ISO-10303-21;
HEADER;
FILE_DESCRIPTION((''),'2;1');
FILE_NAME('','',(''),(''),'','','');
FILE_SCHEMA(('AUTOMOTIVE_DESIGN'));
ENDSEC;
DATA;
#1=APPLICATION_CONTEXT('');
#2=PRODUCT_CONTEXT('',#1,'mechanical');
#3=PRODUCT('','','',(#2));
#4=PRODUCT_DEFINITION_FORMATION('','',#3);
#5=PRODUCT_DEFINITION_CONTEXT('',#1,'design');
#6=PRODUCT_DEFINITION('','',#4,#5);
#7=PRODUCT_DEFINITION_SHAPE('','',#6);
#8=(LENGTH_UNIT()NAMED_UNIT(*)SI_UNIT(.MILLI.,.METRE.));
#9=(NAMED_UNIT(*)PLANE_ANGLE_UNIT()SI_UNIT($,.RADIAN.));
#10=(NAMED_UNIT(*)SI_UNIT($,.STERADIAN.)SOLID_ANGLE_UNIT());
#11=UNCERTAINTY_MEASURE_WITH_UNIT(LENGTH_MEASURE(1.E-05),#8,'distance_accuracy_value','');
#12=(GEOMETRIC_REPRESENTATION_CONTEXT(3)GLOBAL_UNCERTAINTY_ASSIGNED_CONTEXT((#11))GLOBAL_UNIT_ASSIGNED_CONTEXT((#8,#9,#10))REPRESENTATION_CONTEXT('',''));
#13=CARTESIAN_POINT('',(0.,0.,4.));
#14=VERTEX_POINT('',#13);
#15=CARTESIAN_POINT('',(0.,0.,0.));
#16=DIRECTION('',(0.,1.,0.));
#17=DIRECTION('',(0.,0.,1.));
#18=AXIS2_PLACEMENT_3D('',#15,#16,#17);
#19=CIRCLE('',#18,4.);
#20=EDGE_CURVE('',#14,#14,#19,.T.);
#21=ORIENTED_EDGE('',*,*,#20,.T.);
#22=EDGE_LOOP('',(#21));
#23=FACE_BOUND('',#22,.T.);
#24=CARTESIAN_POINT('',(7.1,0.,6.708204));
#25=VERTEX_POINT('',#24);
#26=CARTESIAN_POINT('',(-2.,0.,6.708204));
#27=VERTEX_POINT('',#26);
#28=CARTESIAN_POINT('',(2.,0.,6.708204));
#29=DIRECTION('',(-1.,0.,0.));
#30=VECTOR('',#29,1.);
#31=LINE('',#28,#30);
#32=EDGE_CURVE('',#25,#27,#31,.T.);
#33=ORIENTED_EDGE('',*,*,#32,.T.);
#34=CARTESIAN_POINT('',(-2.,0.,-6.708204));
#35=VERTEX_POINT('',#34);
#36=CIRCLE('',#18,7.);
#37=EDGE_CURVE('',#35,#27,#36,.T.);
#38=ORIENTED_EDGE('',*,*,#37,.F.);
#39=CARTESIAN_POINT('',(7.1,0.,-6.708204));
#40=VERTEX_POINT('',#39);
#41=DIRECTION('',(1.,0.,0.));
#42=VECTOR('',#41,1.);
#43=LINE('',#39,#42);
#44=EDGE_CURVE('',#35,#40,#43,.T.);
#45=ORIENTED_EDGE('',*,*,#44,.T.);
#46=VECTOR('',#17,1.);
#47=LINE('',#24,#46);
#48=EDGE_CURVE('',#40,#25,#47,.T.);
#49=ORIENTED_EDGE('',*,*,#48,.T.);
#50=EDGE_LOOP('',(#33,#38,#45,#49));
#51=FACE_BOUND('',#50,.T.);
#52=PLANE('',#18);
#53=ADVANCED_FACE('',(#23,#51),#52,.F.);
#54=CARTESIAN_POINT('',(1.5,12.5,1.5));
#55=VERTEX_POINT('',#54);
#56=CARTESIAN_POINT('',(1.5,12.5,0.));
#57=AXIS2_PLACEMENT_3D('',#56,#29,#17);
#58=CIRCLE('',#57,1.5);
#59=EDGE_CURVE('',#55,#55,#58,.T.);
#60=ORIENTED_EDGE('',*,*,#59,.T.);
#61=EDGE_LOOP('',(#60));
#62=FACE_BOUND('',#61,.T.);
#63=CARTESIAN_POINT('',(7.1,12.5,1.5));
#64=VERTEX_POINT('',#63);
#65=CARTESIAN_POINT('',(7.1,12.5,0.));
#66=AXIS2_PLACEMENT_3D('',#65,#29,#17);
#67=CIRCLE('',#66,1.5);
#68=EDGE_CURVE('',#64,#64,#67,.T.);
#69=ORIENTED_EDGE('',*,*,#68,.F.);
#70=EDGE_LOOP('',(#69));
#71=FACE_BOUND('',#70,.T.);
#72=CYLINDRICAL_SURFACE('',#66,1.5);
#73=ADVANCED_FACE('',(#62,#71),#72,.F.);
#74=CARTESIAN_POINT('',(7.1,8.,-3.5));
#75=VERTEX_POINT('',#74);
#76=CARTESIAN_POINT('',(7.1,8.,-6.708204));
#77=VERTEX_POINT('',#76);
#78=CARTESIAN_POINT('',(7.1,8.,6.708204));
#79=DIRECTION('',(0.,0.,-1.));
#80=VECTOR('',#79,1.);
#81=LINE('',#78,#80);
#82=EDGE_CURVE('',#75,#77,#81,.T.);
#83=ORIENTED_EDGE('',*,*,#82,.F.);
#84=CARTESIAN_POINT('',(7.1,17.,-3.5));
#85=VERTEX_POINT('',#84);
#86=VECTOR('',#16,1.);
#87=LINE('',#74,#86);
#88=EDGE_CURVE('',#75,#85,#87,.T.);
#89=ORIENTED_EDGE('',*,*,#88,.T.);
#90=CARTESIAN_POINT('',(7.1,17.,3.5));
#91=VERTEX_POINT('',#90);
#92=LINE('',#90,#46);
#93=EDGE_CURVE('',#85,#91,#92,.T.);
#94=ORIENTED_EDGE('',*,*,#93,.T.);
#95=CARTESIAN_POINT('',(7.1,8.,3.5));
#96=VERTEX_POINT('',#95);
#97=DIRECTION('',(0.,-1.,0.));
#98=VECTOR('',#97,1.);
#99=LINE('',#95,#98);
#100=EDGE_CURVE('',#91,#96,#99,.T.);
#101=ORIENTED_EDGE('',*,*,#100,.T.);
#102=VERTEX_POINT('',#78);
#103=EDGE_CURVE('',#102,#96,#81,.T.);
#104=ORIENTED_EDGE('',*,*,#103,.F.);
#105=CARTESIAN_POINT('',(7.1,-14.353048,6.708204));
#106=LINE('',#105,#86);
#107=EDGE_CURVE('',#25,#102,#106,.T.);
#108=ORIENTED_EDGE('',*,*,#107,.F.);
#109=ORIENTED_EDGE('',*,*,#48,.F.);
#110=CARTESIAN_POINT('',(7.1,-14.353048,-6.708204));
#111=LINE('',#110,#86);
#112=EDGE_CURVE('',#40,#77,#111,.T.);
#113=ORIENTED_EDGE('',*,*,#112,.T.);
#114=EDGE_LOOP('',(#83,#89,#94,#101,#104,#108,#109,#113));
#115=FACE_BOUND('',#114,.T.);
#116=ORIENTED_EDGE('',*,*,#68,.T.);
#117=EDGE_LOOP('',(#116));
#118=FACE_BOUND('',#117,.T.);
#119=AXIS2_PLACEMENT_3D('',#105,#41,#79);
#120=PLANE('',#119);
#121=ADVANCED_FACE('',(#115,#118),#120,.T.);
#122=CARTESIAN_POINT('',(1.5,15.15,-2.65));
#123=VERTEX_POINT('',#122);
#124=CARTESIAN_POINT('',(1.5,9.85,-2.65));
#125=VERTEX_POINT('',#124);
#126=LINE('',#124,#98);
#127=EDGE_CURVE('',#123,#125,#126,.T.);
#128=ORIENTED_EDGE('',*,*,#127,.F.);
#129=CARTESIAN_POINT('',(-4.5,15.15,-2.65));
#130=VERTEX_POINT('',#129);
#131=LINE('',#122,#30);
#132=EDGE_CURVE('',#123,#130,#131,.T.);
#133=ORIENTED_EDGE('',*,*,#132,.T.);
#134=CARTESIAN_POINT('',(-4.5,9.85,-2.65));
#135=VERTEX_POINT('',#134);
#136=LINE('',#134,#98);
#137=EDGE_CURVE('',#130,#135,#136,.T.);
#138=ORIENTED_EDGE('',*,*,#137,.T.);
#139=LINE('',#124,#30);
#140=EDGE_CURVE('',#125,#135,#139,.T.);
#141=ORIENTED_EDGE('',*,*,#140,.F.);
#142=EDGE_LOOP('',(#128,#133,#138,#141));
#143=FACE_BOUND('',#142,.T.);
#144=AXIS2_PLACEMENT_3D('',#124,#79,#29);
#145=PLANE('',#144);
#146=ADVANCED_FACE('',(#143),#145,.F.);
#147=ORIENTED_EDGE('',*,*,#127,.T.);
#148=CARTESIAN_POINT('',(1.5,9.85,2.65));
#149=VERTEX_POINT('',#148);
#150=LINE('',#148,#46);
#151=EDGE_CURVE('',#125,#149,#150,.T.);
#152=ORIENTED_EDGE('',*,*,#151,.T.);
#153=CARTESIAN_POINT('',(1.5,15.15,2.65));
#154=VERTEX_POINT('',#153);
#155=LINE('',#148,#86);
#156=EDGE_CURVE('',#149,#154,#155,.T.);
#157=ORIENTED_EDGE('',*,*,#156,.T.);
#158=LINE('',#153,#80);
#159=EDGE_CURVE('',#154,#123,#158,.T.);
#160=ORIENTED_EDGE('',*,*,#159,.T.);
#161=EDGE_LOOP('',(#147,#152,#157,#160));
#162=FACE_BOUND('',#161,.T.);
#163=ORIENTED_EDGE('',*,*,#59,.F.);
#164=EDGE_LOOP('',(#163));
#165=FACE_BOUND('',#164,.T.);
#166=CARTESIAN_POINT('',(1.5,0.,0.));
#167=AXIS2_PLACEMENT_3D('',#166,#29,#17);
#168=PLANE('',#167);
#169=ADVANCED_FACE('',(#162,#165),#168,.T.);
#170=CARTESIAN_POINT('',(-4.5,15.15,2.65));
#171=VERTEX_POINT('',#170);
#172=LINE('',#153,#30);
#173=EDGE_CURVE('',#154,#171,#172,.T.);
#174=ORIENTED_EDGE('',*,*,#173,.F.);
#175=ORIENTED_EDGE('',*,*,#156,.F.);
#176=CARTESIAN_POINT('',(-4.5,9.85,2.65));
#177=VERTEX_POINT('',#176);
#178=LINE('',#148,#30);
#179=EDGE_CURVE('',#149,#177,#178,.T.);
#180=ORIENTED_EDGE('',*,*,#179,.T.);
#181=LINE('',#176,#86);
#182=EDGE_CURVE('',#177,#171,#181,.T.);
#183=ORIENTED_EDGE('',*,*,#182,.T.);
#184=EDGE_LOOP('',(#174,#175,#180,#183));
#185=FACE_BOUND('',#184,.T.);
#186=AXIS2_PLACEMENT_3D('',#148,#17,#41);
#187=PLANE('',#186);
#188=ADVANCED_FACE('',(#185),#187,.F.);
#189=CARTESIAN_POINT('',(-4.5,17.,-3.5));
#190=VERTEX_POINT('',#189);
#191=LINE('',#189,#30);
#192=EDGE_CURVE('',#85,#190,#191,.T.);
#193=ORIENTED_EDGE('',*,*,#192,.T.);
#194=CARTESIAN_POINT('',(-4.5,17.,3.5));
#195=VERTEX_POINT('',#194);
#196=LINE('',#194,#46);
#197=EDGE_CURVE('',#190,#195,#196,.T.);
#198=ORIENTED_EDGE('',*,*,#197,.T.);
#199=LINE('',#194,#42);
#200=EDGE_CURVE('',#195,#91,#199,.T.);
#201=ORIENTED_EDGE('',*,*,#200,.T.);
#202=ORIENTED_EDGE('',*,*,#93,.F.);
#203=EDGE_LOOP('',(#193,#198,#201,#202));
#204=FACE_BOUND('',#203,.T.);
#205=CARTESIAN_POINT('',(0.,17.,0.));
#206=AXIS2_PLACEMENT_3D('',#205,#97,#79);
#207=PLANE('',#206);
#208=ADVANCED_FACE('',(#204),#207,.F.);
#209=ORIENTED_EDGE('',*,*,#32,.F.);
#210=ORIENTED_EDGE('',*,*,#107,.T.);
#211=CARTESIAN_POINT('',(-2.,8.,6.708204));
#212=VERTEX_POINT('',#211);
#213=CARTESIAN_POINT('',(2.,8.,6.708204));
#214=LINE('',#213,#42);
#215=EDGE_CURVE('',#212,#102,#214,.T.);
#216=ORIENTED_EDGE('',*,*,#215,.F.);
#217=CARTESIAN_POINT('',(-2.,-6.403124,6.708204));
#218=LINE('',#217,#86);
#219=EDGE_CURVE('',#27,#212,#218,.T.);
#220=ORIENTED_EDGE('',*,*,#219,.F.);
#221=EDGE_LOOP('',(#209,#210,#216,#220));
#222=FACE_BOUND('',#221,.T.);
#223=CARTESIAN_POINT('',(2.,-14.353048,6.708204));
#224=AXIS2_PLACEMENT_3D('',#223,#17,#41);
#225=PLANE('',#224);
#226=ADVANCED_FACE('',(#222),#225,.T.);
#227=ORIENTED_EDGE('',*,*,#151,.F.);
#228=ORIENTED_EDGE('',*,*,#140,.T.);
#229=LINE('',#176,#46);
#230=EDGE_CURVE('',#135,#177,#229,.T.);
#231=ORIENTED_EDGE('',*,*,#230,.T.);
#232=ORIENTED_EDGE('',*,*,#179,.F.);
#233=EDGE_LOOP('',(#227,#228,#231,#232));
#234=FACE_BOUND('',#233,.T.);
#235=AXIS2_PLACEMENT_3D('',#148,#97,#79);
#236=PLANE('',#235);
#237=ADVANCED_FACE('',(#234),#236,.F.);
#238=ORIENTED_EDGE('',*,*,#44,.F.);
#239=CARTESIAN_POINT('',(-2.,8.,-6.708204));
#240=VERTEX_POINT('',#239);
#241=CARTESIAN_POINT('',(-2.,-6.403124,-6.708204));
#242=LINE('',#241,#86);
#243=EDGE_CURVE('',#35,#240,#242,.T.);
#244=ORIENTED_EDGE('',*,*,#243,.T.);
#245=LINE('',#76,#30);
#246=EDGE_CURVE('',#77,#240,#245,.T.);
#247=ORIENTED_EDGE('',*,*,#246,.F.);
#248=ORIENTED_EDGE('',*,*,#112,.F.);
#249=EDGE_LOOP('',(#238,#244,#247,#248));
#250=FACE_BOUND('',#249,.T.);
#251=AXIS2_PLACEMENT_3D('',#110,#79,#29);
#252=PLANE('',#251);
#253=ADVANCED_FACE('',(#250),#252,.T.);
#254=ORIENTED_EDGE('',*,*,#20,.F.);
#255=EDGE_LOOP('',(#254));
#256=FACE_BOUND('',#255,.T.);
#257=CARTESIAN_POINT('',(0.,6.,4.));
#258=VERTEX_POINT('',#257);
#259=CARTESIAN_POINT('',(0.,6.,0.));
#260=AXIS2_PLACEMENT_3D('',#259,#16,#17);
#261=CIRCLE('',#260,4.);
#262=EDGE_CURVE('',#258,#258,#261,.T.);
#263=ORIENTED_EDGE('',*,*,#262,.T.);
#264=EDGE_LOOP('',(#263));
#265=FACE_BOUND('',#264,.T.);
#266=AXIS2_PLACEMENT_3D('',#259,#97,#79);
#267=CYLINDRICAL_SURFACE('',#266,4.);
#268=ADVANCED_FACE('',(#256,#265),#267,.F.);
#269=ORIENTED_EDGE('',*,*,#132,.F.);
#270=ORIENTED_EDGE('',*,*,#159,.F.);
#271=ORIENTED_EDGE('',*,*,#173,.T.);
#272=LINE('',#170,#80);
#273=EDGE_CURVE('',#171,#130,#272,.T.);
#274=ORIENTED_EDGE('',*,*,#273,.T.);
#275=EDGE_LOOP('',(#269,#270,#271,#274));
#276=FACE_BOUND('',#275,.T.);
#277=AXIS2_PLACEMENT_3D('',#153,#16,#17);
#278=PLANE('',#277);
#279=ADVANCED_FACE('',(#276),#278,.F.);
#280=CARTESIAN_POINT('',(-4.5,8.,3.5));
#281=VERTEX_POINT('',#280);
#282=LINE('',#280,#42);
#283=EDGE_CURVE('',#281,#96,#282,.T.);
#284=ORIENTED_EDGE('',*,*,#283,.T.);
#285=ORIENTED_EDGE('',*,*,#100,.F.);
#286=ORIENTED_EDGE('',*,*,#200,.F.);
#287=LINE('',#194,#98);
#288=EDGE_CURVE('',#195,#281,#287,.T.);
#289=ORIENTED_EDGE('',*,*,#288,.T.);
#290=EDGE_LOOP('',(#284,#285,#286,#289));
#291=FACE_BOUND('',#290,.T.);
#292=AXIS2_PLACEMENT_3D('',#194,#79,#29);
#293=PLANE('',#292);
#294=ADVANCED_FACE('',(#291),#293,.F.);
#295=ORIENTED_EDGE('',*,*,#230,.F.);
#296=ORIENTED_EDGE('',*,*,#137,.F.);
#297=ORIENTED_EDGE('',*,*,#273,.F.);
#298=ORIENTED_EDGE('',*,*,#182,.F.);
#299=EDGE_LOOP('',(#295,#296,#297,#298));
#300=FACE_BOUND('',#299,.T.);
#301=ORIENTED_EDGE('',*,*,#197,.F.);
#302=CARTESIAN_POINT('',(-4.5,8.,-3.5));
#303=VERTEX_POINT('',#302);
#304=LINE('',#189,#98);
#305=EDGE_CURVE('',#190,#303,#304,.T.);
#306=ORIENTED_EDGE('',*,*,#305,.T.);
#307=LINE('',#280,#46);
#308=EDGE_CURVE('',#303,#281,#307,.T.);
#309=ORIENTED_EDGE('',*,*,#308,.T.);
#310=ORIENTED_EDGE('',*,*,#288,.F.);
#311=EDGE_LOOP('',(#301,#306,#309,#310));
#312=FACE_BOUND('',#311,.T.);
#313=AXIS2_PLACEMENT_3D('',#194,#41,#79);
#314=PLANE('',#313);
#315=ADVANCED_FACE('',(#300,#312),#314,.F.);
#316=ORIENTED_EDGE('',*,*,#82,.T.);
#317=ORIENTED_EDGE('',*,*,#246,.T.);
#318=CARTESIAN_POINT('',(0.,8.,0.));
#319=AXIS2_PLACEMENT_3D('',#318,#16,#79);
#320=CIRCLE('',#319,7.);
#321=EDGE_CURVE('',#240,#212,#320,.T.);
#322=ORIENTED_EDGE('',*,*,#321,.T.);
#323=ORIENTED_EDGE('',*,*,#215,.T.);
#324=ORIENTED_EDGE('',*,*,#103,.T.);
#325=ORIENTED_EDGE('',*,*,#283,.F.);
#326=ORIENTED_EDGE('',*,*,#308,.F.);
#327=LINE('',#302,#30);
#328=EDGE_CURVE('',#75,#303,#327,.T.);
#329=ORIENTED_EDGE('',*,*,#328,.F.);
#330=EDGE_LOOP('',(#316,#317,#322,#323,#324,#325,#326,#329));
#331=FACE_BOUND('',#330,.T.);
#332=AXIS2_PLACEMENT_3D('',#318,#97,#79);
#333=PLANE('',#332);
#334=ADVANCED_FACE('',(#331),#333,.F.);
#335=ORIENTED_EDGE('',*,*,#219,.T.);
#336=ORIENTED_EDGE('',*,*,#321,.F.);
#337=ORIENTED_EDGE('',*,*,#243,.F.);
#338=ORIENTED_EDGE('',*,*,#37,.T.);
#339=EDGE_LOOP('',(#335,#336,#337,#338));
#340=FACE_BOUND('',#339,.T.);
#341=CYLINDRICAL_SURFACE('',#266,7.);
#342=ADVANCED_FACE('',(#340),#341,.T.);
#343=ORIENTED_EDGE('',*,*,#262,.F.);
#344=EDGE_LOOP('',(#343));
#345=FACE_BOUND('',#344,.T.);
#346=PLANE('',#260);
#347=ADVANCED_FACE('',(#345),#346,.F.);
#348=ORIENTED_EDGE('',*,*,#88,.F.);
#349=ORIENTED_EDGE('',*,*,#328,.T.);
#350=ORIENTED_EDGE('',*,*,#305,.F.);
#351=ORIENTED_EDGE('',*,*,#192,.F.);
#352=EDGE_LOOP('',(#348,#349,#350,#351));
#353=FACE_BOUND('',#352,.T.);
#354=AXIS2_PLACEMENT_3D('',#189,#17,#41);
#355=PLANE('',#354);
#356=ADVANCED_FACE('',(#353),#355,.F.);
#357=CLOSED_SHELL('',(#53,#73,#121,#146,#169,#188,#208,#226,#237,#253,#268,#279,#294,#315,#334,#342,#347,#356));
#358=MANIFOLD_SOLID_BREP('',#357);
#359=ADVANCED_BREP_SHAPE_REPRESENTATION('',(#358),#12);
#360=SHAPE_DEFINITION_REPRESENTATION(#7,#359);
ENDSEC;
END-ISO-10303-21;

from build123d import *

# Parameters (mm, degrees)
SKETCH1_R           = 7
SKETCH1_R_2         = 4
BOSS_EXTRUDE1_DEPTH = 6
SKETCH2_R           = 7
BOSS_EXTRUDE2_DEPTH = 10
CUT_EXTRUDE1_DEPTH  = 8
SKETCH4_W           = 4.3
SKETCH4_H           = 6.3
CUT_EXTRUDE2_DEPTH  = 6
SKETCH5_OUTSIDE_W   = 21.092
SKETCH5_OUTSIDE_H   = 21.092
CUT_EXTRUDE3_DEPTH  = 8
BOSS_EXTRUDE3_DEPTH = 8
SKETCH9_R           = 7
CUT_EXTRUDE6_DEPTH  = 8
SKETCH10_W          = 9
SKETCH10_H          = 7
BOSS_EXTRUDE5_DEPTH = 9
SKETCH11_W          = 5.3
SKETCH11_H          = 5.3
CUT_EXTRUDE7_DEPTH  = 6
BOSS_EXTRUDE6_DEPTH = 8
SKETCH14_W          = 7
SKETCH14_H          = 9
BOSS_EXTRUDE7_DEPTH = 2.6
SKETCH15_W          = 4
SKETCH15_H          = 5
CUT_EXTRUDE10_DEPTH = 9
SKETCH16_R          = 1.5
CUT_EXTRUDE11_DEPTH = 6.6


with BuildPart() as part:
    # Sketch1 → Boss-Extrude1 (new body)
    with BuildSketch(Plane(origin=(0, 0, 0), x_dir=(1, 0, 0), z_dir=(0, 1, 0))):
        with Locations(Location((0, 0, 0), (0, 0, 270))):  # turned: the seam where the file's is
            Circle(SKETCH1_R)
        with Locations(Location((0, 0, 0), (0, 0, 270))):  # turned: the seam where the file's is
            Circle(SKETCH1_R_2, mode=Mode.SUBTRACT)
    extrude(amount=BOSS_EXTRUDE1_DEPTH)

    # Sketch2 → Boss-Extrude2 (add)
    with BuildSketch(Plane(origin=(0, 6, 0), x_dir=(1, 0, 0), z_dir=(0, 1, 0))):
        with Locations(Location((0, 0, 0), (0, 0, 270))):  # turned: the seam where the file's is
            Circle(SKETCH2_R)
    extrude(amount=BOSS_EXTRUDE2_DEPTH)

    # Sketch3 → Cut-Extrude1 (cut)
    with BuildSketch(Plane(origin=(0, 16, 0), x_dir=(1, 0, 0), z_dir=(0, 1, 0))):
        with BuildLine():
            Line((0, 7), (0, -7))
            ThreePointArc((0, -7), (-7, 0), (0, 7))
        make_face()
    extrude(amount=-CUT_EXTRUDE1_DEPTH, mode=Mode.SUBTRACT)

    # Sketch4 → Cut-Extrude2 (cut)
    with BuildSketch(Plane.ZY):
        with Locations((0, 12.15)):
            Rectangle(SKETCH4_W, SKETCH4_H)
    extrude(amount=-CUT_EXTRUDE2_DEPTH, mode=Mode.SUBTRACT)

    # Sketch5 outside → Cut-Extrude3 (cut)
    with BuildSketch(Plane(origin=(0, 16, 0), x_dir=(1, 0, 0), z_dir=(0, 1, 0))):
        Rectangle(SKETCH5_OUTSIDE_W, SKETCH5_OUTSIDE_H)
        with BuildLine():
            Line((0, 4), (5.744562647, 4))
            ThreePointArc((5.744562647, 4), (7, 0), (5.744562647, -4))
            Line((5.744562647, -4), (0, -4))
            Line((0, -4), (0, 4))
        make_face(mode=Mode.SUBTRACT)
    extrude(amount=-CUT_EXTRUDE3_DEPTH, mode=Mode.SUBTRACT)

    # Sketch7 → Boss-Extrude3 (add)
    with BuildSketch(Plane(origin=(0, 8, 0), x_dir=(1, 0, 0), z_dir=(0, 1, 0))):
        with BuildLine():
            Line((2, 6.708203932), (2, 11.708203932))
            Line((2, 11.708203932), (-2, 11.708203932))
            Line((-2, 11.708203932), (-2, 6.708203932))
            ThreePointArc((-2, 6.708203932), (0, 7), (2, 6.708203932))
        make_face()
        with BuildLine():
            Line((2, -6.708203932), (2, -11.708203932))
            Line((2, -11.708203932), (-2, -11.708203932))
            Line((-2, -11.708203932), (-2, -6.708203932))
            ThreePointArc((-2, -6.708203932), (0, -7), (2, -6.708203932))
        make_face()
    extrude(amount=-BOSS_EXTRUDE3_DEPTH)

    # Sketch9 → Cut-Extrude6 (cut)
    with BuildSketch(Plane(origin=(0, 16, 0), x_dir=(1, 0, 0), z_dir=(0, 1, 0))):
        Circle(SKETCH9_R)
    extrude(amount=-CUT_EXTRUDE6_DEPTH, mode=Mode.SUBTRACT)

    # Sketch10 → Boss-Extrude5 (add)
    with BuildSketch(Plane(origin=(0, 8, 0), x_dir=(1, 0, 0), z_dir=(0, 1, 0))):
        Rectangle(SKETCH10_W, SKETCH10_H)
    extrude(amount=BOSS_EXTRUDE5_DEPTH)

    # Sketch11 → Cut-Extrude7 (cut)
    with BuildSketch(Plane.ZY.offset(4.5)):
        with Locations((0, 12.5)):
            Rectangle(SKETCH11_W, SKETCH11_H)
    extrude(amount=-CUT_EXTRUDE7_DEPTH, mode=Mode.SUBTRACT)

    # Sketch13 → Boss-Extrude6 (add)
    with BuildSketch(Plane(origin=(0, 8, 0), x_dir=(1, 0, 0), z_dir=(0, 1, 0))):
        with BuildLine():
            Line((2, -6.708203932), (7.1, -6.708203932))
            Line((7.1, -6.708203932), (7.1, 6.708203932))
            Line((7.1, 6.708203932), (2, 6.708203932))
            ThreePointArc((2, 6.708203932), (7, 0), (2, -6.708203932))
        make_face()
    extrude(amount=-BOSS_EXTRUDE6_DEPTH)

    # Sketch14 → Boss-Extrude7 (add)
    with BuildSketch(Plane(origin=(4.5, 0, 0), x_dir=(0, 0, -1), z_dir=(1, 0, 0))):
        with Locations((0, 12.5)):
            Rectangle(SKETCH14_W, SKETCH14_H)
    extrude(amount=BOSS_EXTRUDE7_DEPTH)

    # Sketch15 → Cut-Extrude10 (cut, through all)
    with BuildSketch(Plane(origin=(0, 8, 0), x_dir=(1, 0, 0), z_dir=(0, 1, 0))):
        with Locations((0, 9.208203932)):
            Rectangle(SKETCH15_W, SKETCH15_H)
        with Locations((0, -9.208203932)):
            Rectangle(SKETCH15_W, SKETCH15_H)
    extrude(amount=-CUT_EXTRUDE10_DEPTH, mode=Mode.SUBTRACT)

    # Sketch16 → Cut-Extrude11 (cut, through all)
    with BuildSketch(Plane.ZY.offset(-1.5)):
        with Locations((0, 12.5)):
            Circle(SKETCH16_R)
    extrude(amount=-CUT_EXTRUDE11_DEPTH, mode=Mode.SUBTRACT)


solid = part.part
